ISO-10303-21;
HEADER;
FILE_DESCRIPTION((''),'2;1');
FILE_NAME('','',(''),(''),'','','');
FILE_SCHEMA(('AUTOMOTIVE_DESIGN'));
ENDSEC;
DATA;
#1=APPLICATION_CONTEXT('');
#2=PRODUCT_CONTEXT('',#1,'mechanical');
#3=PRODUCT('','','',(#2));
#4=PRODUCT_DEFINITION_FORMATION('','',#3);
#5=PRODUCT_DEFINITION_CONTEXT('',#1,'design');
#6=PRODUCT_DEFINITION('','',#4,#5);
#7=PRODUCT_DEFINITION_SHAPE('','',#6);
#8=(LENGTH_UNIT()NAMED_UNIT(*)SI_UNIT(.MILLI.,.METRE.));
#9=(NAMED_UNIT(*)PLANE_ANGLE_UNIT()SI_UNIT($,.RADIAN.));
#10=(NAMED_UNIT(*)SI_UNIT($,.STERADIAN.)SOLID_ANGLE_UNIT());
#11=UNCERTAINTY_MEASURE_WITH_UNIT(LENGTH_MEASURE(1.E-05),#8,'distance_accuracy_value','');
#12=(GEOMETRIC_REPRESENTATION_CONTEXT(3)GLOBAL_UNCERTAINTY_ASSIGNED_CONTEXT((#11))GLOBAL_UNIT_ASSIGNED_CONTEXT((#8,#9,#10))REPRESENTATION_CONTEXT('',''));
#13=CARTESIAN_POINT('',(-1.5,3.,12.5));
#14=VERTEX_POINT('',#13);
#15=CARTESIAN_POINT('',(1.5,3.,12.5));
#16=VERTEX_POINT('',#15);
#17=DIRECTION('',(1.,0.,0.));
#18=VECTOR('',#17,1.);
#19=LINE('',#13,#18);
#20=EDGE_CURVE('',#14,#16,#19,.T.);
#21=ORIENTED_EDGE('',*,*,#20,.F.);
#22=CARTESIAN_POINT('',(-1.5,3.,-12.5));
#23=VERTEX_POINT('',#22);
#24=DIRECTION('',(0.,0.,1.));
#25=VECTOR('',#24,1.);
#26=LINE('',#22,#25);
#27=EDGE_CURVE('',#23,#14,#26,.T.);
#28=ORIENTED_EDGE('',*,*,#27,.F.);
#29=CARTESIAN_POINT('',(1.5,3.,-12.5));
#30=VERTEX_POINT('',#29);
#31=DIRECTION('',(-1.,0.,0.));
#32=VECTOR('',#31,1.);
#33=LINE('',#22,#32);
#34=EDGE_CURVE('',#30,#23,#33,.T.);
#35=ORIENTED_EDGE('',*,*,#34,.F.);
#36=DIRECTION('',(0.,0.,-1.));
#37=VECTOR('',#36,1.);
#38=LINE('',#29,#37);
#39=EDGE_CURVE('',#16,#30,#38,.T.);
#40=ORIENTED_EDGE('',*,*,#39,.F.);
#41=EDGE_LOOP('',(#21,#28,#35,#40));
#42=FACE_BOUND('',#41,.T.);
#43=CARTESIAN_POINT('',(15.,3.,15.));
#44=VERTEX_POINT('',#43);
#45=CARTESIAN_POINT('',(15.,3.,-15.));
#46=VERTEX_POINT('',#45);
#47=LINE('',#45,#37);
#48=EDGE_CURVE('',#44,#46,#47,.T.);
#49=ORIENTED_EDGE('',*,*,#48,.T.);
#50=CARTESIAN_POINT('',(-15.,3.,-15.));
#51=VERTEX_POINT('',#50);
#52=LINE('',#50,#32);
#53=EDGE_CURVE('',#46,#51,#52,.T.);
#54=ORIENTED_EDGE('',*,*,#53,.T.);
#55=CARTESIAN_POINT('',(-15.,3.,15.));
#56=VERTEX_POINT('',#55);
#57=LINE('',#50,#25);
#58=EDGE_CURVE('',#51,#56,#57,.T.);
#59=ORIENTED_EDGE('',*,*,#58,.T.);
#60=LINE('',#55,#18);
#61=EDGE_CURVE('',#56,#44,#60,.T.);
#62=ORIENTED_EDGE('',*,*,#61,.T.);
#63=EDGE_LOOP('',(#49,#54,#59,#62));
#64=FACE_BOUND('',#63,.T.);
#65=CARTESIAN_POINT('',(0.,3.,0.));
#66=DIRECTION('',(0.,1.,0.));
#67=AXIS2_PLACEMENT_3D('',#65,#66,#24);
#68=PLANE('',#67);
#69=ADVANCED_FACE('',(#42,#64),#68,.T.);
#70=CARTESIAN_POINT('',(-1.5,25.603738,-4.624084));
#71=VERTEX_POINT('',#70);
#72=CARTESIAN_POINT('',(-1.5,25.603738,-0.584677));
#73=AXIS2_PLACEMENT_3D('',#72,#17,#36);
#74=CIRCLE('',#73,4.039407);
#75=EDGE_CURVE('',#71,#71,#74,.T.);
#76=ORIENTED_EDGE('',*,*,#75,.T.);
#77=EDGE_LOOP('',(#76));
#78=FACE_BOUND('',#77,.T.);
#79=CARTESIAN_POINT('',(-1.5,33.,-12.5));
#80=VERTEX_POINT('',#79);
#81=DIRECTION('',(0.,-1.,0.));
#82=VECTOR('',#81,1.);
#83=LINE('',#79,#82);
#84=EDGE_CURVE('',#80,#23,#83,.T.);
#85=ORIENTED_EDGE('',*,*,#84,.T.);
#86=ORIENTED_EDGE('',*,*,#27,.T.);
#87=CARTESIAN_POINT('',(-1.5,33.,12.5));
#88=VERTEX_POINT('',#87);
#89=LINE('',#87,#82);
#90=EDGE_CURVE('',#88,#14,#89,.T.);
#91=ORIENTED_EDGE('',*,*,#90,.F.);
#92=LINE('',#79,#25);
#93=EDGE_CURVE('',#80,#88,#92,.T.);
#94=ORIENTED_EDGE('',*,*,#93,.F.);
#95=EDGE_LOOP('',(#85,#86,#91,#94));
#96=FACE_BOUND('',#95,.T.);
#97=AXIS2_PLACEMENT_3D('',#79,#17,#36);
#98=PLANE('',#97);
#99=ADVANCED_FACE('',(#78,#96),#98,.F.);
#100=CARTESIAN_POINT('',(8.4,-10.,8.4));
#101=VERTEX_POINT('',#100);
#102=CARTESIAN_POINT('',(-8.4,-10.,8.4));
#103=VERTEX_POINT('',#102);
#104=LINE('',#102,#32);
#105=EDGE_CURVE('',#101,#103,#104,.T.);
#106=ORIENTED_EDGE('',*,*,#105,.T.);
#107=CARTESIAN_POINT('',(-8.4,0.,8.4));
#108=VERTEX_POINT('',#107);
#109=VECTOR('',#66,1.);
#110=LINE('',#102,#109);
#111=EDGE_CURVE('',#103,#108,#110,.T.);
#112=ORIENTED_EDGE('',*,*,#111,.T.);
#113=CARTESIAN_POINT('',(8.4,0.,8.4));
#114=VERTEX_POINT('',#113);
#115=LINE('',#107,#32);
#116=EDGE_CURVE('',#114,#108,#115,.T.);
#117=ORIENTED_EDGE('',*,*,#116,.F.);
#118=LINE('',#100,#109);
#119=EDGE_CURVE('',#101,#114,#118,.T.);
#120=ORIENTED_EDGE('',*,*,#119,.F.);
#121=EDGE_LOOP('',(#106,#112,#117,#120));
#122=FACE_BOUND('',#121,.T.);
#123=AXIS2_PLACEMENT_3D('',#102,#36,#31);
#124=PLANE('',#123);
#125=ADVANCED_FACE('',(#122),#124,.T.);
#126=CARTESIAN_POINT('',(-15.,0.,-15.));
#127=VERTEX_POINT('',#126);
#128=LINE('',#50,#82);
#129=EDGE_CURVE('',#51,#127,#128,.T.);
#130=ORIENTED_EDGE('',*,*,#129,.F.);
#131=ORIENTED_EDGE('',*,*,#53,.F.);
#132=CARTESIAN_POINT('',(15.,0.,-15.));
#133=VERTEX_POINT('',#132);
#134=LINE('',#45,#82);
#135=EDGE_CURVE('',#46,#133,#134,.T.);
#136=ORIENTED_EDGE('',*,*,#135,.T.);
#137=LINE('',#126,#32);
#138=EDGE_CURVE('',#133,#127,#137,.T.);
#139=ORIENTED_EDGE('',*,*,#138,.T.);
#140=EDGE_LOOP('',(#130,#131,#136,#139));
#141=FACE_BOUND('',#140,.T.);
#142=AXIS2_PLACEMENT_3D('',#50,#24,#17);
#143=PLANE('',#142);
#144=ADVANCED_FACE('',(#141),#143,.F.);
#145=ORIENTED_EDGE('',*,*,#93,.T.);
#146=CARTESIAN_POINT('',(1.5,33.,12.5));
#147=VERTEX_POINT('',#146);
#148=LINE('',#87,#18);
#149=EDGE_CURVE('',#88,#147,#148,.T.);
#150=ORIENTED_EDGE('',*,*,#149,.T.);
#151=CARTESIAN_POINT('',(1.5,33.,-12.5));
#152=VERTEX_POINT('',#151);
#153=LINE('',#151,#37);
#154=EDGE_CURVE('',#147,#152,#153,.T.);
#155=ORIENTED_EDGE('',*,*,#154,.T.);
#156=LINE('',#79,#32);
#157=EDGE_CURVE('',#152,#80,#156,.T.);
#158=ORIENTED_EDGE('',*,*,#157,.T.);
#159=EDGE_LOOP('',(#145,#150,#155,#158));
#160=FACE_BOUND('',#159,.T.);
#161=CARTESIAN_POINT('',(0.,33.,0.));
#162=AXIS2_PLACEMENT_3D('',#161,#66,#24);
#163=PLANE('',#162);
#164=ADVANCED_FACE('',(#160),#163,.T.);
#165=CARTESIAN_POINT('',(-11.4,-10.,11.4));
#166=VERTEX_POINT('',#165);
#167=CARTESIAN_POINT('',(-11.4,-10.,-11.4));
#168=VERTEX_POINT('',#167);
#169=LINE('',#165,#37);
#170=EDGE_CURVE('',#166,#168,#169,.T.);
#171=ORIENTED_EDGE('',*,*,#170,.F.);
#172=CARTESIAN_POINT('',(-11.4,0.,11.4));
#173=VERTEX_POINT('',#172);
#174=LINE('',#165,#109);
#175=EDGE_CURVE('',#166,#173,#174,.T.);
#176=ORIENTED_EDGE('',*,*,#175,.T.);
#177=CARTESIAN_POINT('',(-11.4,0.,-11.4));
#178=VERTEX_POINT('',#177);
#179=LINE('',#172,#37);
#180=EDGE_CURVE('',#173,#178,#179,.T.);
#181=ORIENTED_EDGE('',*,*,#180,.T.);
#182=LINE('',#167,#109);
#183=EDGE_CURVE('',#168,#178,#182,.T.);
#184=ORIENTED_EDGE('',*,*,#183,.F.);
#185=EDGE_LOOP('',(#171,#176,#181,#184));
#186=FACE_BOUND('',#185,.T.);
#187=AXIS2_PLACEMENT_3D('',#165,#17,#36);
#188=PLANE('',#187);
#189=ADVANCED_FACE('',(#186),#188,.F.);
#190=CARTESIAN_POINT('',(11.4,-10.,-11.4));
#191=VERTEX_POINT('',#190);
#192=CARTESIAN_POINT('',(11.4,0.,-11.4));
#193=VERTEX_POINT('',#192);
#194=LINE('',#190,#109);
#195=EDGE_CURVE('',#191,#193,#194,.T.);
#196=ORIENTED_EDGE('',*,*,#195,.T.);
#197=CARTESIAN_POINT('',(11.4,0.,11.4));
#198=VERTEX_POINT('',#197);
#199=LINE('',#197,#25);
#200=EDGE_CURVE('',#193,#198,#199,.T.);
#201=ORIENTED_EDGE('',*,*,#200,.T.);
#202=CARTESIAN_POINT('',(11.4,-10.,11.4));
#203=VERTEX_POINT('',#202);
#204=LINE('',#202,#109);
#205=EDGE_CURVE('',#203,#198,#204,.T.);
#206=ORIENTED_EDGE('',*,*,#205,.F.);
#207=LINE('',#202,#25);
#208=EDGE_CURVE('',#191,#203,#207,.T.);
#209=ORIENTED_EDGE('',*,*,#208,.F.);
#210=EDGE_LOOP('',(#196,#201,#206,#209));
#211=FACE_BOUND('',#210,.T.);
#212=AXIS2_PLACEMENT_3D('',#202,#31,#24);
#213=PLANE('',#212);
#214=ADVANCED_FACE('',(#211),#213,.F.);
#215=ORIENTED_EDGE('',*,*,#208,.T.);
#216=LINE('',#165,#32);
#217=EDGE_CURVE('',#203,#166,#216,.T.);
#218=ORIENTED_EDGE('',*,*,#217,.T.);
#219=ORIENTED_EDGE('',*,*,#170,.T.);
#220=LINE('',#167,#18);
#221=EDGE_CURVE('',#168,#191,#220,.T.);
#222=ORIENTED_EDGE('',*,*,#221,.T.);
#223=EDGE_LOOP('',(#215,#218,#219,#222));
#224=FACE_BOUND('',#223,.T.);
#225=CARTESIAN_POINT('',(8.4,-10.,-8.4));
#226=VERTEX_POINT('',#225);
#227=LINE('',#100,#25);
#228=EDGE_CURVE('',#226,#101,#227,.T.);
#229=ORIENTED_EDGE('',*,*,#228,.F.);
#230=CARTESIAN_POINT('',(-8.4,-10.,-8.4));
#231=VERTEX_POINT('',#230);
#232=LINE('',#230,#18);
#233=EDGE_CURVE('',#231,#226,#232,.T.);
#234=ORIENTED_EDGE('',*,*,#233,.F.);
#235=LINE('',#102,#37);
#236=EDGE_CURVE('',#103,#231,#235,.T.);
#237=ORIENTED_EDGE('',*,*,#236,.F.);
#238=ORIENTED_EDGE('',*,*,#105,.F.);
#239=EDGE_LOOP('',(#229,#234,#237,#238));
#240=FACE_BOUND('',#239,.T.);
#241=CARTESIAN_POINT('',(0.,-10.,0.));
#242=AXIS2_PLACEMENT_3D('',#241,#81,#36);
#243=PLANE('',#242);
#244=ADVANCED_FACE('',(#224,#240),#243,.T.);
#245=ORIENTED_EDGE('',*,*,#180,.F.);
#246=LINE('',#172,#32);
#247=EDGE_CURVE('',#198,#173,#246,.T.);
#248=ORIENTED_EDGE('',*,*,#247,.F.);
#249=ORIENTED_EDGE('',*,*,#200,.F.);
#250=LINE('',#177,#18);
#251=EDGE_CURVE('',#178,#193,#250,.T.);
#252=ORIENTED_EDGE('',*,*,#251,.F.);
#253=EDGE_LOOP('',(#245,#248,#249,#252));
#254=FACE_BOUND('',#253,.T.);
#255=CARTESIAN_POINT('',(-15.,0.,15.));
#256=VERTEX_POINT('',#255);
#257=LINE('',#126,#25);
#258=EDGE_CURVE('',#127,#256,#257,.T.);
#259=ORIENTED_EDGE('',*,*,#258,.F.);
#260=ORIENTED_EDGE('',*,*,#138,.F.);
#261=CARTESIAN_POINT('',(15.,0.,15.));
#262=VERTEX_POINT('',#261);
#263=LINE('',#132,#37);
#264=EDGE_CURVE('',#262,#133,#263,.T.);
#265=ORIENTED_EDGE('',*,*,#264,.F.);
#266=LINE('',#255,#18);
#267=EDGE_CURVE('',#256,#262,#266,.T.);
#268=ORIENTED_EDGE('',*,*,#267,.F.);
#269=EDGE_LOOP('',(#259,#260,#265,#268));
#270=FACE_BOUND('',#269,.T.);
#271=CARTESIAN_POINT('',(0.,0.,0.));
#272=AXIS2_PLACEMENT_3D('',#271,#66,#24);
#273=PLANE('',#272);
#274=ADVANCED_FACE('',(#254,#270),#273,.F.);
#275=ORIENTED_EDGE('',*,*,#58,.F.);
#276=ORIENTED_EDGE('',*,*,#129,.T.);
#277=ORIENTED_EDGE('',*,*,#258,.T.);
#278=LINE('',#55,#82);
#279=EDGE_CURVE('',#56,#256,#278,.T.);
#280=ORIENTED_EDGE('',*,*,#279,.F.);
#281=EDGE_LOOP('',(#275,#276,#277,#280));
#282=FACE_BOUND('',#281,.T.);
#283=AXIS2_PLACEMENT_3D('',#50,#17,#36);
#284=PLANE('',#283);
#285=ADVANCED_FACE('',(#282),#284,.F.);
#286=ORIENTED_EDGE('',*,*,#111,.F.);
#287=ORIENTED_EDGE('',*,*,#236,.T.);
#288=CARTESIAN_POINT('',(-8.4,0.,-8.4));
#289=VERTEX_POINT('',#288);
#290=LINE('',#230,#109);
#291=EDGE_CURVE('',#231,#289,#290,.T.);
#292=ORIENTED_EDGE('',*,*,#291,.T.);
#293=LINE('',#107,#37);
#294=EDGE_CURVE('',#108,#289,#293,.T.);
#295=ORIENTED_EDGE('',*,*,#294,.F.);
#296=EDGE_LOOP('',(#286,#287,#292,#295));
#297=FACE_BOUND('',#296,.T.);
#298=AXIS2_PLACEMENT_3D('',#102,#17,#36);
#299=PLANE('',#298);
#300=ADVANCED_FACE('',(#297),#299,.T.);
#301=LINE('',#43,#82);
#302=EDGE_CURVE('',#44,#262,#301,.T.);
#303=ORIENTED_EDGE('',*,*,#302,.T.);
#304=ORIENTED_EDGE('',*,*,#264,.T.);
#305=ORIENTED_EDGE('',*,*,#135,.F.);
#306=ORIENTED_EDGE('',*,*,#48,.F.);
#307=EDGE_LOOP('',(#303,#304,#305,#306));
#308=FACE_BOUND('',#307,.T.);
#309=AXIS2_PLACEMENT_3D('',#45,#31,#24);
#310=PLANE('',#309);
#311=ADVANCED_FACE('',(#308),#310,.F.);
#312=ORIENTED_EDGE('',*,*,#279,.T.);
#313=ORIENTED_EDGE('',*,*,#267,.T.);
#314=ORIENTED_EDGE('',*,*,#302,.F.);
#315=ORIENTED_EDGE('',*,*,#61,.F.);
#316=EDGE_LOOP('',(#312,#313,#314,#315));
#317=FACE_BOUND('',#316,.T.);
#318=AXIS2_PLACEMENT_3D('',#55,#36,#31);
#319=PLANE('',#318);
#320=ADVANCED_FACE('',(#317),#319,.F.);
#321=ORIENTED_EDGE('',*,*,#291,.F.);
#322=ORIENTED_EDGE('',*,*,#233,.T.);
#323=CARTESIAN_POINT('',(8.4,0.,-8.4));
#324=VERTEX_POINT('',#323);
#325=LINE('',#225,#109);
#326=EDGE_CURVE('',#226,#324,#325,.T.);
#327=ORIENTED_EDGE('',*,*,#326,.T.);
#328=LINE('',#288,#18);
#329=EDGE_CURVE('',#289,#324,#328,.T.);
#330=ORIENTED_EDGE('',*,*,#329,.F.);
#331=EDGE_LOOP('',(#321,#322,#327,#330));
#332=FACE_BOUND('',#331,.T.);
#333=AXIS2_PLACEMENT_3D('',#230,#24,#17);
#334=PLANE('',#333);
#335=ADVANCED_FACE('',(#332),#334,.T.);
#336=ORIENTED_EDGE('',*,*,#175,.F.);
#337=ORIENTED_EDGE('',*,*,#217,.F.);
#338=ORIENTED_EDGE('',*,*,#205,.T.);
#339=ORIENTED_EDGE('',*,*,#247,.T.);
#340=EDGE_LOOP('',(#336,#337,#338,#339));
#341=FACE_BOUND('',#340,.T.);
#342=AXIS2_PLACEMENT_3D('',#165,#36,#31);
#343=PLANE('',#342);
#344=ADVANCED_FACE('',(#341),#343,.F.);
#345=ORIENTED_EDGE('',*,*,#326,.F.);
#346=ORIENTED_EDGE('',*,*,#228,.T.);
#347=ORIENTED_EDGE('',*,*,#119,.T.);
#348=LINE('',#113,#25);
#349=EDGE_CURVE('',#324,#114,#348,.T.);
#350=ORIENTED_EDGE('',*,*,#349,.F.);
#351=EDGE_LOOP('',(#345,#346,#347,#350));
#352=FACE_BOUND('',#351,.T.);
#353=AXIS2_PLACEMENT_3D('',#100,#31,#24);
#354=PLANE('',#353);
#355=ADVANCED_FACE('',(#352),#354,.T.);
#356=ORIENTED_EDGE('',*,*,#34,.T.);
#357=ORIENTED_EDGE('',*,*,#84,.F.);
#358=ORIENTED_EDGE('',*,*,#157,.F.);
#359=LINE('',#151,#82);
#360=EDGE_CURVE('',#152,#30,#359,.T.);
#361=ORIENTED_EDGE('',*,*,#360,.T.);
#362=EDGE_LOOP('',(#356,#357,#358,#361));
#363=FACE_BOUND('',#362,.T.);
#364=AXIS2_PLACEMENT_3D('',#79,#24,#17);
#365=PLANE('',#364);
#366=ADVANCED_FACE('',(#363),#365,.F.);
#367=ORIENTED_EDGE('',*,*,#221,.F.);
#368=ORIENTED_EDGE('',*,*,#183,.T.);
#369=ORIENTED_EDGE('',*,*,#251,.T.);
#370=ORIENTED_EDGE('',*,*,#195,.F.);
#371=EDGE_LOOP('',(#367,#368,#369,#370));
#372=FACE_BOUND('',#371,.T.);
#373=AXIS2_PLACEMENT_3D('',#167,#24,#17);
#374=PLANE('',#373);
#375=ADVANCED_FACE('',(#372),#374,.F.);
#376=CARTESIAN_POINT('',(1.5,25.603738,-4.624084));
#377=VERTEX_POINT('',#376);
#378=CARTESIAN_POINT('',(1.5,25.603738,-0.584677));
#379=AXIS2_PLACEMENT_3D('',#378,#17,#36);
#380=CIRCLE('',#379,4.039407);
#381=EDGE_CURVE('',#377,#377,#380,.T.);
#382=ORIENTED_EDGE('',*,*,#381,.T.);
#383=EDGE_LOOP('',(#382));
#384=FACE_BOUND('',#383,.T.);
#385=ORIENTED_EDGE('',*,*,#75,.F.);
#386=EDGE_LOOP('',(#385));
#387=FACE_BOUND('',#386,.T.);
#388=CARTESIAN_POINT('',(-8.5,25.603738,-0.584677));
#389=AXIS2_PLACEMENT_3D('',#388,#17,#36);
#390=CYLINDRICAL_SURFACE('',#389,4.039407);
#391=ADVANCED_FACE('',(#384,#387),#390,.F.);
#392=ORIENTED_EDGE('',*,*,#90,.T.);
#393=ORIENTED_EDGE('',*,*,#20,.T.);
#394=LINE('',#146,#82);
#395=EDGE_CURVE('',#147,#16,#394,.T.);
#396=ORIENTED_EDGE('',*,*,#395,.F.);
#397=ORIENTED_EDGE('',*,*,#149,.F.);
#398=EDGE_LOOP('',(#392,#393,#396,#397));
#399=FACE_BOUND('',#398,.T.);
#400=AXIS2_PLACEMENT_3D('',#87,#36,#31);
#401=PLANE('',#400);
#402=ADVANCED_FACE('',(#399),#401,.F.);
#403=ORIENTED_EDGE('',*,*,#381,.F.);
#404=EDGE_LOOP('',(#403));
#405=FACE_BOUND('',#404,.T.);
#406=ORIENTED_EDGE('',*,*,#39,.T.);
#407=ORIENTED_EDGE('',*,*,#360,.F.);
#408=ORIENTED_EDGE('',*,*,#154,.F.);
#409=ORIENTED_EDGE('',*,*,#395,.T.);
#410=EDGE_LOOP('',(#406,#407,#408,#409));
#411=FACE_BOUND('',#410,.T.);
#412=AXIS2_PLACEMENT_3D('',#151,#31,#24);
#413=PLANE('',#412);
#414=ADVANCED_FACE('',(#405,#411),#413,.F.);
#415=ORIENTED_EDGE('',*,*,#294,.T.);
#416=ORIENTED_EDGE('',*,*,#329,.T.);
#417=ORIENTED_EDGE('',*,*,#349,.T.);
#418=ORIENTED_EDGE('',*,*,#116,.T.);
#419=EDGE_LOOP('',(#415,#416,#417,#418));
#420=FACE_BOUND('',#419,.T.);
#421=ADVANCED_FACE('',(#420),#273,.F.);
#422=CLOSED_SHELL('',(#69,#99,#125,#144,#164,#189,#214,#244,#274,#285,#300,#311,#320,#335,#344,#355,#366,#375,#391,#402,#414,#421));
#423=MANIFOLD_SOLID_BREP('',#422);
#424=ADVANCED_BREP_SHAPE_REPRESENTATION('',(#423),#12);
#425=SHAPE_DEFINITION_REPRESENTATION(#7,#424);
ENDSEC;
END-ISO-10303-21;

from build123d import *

# Parameters (mm, degrees)
CROQUIS1_W              = 30
CROQUIS1_H              = 30
SALIENTE_EXTRUIR1_DEPTH = 3
CROQUIS2_W              = 3
CROQUIS2_H              = 25
SALIENTE_EXTRUIR2_DEPTH = 30
CROQUIS3_R              = 4.0394072
CORTAR_EXTRUIR1_DEPTH   = 10
CROQUIS4_W              = 22.8
CROQUIS4_H              = 22.8
CROQUIS4_W_2            = 16.8
CROQUIS4_H_2            = 16.8
SALIENTE_EXTRUIR3_DEPTH = 10


with BuildPart() as part:
    # Croquis1 → Saliente-Extruir1 (new body)
    with BuildSketch(Plane(origin=(0, 0, 0), x_dir=(1, 0, 0), z_dir=(0, 1, 0))):
        Rectangle(CROQUIS1_W, CROQUIS1_H)
    extrude(amount=SALIENTE_EXTRUIR1_DEPTH)

    # Croquis2 → Saliente-Extruir2 (add)
    with BuildSketch(Plane(origin=(0, 3, 0), x_dir=(1, 0, 0), z_dir=(0, 1, 0))):
        Rectangle(CROQUIS2_W, CROQUIS2_H)
    extrude(amount=SALIENTE_EXTRUIR2_DEPTH)

    # Croquis3 → Cortar-Extruir1 (cut)
    with BuildSketch(Plane(origin=(1.5, 0, 0), x_dir=(0, 0, -1), z_dir=(1, 0, 0))):
        with Locations((0.584677198, 25.603738422)):
            Circle(CROQUIS3_R)
    extrude(amount=-CORTAR_EXTRUIR1_DEPTH, mode=Mode.SUBTRACT)

    # Croquis4 → Saliente-Extruir3 (add)
    with BuildSketch(Plane.XZ):
        Rectangle(CROQUIS4_W, CROQUIS4_H)
        Rectangle(CROQUIS4_W_2, CROQUIS4_H_2, mode=Mode.SUBTRACT)
    extrude(amount=SALIENTE_EXTRUIR3_DEPTH)


solid = part.part
